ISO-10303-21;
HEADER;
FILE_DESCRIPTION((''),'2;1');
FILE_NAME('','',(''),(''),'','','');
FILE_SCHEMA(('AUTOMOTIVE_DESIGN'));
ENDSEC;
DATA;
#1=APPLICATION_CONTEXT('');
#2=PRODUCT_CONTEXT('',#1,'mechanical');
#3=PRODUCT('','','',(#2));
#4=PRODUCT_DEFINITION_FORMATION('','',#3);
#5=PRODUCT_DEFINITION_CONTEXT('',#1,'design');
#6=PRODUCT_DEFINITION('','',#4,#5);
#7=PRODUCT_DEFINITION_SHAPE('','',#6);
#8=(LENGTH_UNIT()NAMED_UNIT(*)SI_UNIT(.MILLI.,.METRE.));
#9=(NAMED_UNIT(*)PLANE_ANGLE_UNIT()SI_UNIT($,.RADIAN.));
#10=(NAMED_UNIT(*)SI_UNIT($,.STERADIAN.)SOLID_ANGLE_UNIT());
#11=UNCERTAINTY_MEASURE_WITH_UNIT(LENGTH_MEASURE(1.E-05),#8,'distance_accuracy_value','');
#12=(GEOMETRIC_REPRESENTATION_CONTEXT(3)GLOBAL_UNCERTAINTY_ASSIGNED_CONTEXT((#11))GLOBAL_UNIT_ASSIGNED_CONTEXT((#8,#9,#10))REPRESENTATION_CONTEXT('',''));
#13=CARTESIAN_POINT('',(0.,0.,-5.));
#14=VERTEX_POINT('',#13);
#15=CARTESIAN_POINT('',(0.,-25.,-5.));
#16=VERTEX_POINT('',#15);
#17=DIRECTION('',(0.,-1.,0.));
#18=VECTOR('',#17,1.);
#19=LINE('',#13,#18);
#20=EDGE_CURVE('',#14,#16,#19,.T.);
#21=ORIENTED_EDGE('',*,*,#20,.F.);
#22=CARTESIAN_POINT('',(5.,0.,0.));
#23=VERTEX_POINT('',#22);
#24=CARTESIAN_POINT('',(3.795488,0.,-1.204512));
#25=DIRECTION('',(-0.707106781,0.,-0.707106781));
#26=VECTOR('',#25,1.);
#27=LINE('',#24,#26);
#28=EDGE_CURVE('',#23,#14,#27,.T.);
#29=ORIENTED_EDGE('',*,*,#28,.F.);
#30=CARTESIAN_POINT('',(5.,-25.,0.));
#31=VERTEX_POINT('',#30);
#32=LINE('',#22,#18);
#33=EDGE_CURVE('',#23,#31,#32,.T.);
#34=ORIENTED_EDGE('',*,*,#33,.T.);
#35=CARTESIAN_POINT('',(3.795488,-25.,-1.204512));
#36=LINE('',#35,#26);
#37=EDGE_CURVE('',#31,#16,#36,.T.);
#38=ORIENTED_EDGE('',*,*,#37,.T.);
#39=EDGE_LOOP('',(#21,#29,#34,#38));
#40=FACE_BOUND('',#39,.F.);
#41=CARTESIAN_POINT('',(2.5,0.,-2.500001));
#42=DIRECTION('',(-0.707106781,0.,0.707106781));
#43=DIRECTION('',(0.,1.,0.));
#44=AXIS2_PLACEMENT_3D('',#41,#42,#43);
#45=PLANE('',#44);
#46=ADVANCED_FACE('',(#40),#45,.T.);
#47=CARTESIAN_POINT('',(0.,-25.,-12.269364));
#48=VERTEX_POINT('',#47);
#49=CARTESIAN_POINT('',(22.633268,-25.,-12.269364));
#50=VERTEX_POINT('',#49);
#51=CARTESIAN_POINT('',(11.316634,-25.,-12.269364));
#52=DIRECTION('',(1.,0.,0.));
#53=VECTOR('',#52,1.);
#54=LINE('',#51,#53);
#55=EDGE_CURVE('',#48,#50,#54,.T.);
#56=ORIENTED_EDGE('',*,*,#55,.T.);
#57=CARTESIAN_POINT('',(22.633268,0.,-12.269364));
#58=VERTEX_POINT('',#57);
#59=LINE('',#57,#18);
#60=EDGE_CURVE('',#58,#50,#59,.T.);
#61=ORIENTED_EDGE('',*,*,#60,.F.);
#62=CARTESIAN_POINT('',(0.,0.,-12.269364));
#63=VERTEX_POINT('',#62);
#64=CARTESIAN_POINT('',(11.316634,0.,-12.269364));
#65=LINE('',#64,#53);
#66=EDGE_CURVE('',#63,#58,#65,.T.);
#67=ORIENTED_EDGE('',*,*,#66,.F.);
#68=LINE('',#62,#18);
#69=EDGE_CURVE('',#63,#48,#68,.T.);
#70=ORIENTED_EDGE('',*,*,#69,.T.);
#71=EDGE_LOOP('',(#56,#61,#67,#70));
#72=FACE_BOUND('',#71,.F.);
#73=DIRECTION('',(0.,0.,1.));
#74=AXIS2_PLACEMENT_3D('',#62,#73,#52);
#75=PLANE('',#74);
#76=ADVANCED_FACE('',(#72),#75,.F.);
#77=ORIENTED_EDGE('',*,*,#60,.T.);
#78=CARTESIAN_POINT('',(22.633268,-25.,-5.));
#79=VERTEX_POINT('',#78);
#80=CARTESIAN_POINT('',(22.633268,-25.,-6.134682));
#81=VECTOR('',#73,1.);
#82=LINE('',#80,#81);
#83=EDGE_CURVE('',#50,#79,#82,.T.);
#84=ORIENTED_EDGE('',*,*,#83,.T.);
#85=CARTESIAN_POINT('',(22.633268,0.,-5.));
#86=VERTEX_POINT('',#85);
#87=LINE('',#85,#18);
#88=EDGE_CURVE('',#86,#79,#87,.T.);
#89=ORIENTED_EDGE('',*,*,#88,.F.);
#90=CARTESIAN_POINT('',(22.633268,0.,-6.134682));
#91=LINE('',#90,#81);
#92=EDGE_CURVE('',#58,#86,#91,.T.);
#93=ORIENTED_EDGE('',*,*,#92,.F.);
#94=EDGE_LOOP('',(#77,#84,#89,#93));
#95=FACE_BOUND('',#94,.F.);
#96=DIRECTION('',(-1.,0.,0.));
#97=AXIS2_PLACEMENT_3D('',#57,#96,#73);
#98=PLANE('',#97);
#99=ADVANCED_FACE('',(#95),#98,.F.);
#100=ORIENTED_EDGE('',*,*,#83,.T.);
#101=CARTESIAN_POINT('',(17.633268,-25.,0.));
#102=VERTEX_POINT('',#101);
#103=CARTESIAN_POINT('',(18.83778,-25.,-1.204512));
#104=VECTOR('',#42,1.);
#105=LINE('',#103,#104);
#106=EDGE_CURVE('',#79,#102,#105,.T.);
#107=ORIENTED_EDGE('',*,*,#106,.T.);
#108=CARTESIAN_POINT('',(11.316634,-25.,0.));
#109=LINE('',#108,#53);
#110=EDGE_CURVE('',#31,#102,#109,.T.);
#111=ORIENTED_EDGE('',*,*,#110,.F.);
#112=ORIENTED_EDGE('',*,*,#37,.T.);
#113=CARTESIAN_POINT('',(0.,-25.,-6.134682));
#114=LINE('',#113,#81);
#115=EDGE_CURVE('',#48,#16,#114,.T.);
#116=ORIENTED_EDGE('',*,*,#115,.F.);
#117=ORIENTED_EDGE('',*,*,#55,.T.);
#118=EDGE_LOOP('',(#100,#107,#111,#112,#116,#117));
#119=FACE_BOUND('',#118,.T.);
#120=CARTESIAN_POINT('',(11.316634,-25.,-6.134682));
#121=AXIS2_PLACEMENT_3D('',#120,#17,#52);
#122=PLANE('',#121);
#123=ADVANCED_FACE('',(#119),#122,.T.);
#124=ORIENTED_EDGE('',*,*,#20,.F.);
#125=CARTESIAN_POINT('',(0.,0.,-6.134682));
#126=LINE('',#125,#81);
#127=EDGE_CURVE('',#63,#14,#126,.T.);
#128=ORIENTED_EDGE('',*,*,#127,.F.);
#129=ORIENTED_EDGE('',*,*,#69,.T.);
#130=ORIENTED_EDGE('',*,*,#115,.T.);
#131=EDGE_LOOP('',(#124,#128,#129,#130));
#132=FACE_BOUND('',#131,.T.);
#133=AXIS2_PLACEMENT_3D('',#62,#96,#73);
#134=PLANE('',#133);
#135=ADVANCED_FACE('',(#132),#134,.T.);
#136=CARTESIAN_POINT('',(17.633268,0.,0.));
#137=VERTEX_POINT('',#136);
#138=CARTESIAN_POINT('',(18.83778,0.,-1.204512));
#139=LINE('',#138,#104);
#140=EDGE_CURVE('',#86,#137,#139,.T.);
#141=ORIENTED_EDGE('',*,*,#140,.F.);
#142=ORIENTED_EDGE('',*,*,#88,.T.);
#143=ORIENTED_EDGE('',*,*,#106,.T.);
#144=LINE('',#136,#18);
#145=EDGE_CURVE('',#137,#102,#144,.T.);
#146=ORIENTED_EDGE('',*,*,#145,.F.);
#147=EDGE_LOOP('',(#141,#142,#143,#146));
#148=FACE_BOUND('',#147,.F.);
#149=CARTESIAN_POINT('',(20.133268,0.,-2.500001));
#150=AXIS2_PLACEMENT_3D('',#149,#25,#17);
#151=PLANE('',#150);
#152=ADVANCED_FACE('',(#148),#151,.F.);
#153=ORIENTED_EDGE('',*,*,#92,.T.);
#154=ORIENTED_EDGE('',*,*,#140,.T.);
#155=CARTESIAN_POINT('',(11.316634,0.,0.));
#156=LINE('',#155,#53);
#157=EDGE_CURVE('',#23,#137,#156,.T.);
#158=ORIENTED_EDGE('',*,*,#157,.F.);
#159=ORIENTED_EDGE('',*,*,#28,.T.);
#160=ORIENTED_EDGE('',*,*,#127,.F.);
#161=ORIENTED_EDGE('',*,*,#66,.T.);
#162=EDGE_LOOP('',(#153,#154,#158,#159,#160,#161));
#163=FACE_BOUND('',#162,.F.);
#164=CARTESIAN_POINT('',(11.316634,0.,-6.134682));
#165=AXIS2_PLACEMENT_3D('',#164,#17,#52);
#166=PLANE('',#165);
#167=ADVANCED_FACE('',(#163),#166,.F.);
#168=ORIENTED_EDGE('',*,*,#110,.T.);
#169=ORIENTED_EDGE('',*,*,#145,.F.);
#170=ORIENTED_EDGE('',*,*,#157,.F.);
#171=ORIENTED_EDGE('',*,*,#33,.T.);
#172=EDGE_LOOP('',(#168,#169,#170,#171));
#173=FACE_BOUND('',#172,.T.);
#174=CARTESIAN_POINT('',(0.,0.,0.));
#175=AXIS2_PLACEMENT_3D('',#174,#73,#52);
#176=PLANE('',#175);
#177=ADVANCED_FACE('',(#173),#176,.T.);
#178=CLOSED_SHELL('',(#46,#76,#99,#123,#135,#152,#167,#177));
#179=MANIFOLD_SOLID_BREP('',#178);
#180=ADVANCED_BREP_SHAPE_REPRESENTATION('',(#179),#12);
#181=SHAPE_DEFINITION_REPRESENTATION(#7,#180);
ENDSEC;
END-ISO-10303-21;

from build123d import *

# Parameters (mm, degrees)
F0_W     = 22.633268
F0_H     = 12.269363
F1_DEPTH = 25
F2_R     = 22.308841
F3_DEPTH = 29.9
F5_SIZE  = 5
F6_SIZE  = 5


with BuildPart() as f1:
    # F0 (on Front) → F1 (new body)
    with BuildSketch(Plane.XZ):
        with Locations((11.316634, -6.134682)):
            Rectangle(F0_W, F0_H)
    extrude(amount=F1_DEPTH)

    # F5
    f5_edges = [f1.edges().sort_by_distance(p)[0] for p in [
        (22.633268, -12.5, 0),
    ]]
    chamfer(f5_edges, length=F5_SIZE)

    # F6
    f6_edges = [f1.edges().sort_by_distance(p)[0] for p in [
        (0, -12.5, 0),
    ]]
    chamfer(f6_edges, length=F6_SIZE)


with BuildPart() as f3:
    # F2 (on Top) → F3 (new body)
    with BuildSketch(Plane.XY):
        with Locations((-79.230487, 19.022213)):
            Circle(F2_R)
    extrude(amount=F3_DEPTH)


solid = f1.part
